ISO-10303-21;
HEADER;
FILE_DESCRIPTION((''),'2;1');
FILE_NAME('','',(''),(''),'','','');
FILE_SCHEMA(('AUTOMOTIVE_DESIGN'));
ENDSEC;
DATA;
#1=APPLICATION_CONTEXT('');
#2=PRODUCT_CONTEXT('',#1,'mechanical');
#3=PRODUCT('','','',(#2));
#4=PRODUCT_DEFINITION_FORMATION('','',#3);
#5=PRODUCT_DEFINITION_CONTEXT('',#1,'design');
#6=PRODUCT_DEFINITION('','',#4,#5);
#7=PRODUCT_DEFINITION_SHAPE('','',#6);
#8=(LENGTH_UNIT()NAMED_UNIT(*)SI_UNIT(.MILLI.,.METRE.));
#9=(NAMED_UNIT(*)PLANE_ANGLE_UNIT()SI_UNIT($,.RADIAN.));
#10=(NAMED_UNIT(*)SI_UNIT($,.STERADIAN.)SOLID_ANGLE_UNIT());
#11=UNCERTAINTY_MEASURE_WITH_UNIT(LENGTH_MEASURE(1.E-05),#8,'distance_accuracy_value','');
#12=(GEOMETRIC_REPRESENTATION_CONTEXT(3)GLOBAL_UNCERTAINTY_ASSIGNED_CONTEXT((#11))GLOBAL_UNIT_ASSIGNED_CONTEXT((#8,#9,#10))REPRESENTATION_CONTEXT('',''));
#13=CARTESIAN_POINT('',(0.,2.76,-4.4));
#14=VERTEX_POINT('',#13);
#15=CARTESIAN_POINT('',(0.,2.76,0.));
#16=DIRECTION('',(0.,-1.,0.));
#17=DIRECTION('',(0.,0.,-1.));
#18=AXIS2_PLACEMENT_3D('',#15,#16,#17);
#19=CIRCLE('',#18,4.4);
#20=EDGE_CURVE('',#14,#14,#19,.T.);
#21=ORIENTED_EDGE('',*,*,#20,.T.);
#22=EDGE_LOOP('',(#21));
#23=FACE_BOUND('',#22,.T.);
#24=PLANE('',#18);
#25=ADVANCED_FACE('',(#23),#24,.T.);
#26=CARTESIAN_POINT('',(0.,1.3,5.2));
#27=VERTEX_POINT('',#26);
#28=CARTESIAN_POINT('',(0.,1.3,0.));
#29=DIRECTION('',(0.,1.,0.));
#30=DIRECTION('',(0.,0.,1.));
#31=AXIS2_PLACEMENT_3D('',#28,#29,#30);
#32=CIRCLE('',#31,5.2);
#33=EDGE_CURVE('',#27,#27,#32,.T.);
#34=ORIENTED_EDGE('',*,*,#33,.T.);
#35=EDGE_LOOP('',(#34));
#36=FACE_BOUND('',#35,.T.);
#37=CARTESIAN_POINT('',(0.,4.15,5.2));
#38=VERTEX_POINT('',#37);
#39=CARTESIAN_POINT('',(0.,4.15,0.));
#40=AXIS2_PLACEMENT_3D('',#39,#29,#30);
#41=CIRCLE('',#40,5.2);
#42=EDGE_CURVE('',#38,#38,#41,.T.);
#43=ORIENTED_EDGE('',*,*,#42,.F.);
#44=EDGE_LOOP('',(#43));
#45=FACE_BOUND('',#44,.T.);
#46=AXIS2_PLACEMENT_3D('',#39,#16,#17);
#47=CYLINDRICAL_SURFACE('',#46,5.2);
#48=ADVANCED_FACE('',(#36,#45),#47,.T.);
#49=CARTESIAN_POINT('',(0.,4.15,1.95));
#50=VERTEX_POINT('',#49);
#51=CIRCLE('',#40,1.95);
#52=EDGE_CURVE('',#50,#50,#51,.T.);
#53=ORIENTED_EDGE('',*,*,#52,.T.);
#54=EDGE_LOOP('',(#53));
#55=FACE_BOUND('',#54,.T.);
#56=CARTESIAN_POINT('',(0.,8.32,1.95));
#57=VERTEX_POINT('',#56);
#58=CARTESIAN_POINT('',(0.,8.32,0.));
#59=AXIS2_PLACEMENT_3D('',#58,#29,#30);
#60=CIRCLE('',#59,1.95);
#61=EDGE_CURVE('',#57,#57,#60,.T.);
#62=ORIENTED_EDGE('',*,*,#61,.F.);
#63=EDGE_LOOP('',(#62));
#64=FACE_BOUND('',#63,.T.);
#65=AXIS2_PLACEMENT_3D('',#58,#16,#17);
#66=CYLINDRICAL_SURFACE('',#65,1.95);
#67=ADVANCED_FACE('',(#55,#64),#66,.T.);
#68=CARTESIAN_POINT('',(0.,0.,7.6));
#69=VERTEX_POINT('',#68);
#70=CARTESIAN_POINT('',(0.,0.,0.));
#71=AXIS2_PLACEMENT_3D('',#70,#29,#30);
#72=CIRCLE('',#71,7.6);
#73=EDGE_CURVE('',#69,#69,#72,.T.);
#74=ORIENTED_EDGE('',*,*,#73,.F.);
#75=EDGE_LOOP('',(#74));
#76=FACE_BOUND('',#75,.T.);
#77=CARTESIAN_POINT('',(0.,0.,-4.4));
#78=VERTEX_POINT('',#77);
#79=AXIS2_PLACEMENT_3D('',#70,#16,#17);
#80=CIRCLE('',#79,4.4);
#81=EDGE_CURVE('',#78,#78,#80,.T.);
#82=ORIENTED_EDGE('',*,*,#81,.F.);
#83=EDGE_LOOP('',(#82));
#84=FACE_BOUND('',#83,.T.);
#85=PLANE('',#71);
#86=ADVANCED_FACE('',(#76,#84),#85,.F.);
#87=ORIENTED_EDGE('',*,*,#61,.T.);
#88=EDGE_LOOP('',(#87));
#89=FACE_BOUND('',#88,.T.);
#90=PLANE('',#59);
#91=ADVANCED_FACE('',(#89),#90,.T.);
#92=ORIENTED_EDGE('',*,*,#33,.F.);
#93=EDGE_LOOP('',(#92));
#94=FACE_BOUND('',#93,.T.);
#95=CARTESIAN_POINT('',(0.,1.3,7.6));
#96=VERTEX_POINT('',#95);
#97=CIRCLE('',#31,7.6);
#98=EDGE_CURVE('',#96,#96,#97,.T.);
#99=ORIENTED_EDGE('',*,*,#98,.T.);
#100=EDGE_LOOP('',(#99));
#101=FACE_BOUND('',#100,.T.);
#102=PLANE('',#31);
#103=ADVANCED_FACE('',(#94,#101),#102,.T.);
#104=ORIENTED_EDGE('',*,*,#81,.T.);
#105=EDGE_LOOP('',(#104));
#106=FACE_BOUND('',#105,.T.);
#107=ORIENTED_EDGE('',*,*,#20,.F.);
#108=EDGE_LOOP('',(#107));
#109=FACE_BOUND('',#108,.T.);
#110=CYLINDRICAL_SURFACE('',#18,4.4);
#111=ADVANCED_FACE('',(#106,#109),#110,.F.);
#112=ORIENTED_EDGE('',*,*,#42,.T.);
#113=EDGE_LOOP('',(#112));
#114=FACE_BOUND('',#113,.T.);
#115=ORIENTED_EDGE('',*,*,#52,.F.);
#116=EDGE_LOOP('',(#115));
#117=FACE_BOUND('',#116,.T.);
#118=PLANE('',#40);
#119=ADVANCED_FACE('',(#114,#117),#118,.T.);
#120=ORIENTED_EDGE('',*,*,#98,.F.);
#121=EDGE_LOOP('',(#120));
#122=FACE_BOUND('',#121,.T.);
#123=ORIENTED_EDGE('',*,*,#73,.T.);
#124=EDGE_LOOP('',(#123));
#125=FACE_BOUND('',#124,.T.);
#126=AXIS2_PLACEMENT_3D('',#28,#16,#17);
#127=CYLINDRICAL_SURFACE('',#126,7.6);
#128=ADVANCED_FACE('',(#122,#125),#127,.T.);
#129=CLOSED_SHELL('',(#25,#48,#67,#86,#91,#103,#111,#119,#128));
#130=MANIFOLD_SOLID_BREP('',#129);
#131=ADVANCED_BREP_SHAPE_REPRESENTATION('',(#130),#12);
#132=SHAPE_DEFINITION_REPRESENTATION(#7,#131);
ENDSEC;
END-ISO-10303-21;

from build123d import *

# Parameters (mm, degrees)
SKETCH1_R           = 7.6
BOSS_EXTRUDE1_DEPTH = 1.3
SKETCH2_R           = 5.2
BOSS_EXTRUDE2_DEPTH = 2.85
SKETCH3_R           = 1.95
BOSS_EXTRUDE3_DEPTH = 4.17
SKETCH4_R           = 4.4
CUT_EXTRUDE1_DEPTH  = 2.76


with BuildPart() as part:
    # Sketch1 → Boss-Extrude1 (new body)
    with BuildSketch(Plane(origin=(0, 0, 0), x_dir=(1, 0, 0), z_dir=(0, 1, 0))):
        with Locations(Location((0, 0, 0), (0, 0, 270))):
            Circle(SKETCH1_R)
    extrude(amount=BOSS_EXTRUDE1_DEPTH)

    # Sketch2 → Boss-Extrude2 (add)
    with BuildSketch(Plane(origin=(0, 1.3, 0), x_dir=(1, 0, 0), z_dir=(0, 1, 0))):
        with Locations(Location((0, 0, 0), (0, 0, 270))):
            Circle(SKETCH2_R)
    extrude(amount=BOSS_EXTRUDE2_DEPTH)

    # Sketch3 → Boss-Extrude3 (add)
    with BuildSketch(Plane(origin=(0, 4.15, 0), x_dir=(1, 0, 0), z_dir=(0, 1, 0))):
        with Locations(Location((0, 0, 0), (0, 0, 270))):
            Circle(SKETCH3_R)
    extrude(amount=BOSS_EXTRUDE3_DEPTH)

    # Sketch4 → Cut-Extrude1 (cut)
    with BuildSketch(Plane(origin=(0, 0, 0), x_dir=(-1, 0, 0), z_dir=(0, -1, 0))):
        with Locations(Location((0, 0, 0), (0, 0, 90))):
            Circle(SKETCH4_R)
    extrude(amount=-CUT_EXTRUDE1_DEPTH, mode=Mode.SUBTRACT)


solid = part.part
